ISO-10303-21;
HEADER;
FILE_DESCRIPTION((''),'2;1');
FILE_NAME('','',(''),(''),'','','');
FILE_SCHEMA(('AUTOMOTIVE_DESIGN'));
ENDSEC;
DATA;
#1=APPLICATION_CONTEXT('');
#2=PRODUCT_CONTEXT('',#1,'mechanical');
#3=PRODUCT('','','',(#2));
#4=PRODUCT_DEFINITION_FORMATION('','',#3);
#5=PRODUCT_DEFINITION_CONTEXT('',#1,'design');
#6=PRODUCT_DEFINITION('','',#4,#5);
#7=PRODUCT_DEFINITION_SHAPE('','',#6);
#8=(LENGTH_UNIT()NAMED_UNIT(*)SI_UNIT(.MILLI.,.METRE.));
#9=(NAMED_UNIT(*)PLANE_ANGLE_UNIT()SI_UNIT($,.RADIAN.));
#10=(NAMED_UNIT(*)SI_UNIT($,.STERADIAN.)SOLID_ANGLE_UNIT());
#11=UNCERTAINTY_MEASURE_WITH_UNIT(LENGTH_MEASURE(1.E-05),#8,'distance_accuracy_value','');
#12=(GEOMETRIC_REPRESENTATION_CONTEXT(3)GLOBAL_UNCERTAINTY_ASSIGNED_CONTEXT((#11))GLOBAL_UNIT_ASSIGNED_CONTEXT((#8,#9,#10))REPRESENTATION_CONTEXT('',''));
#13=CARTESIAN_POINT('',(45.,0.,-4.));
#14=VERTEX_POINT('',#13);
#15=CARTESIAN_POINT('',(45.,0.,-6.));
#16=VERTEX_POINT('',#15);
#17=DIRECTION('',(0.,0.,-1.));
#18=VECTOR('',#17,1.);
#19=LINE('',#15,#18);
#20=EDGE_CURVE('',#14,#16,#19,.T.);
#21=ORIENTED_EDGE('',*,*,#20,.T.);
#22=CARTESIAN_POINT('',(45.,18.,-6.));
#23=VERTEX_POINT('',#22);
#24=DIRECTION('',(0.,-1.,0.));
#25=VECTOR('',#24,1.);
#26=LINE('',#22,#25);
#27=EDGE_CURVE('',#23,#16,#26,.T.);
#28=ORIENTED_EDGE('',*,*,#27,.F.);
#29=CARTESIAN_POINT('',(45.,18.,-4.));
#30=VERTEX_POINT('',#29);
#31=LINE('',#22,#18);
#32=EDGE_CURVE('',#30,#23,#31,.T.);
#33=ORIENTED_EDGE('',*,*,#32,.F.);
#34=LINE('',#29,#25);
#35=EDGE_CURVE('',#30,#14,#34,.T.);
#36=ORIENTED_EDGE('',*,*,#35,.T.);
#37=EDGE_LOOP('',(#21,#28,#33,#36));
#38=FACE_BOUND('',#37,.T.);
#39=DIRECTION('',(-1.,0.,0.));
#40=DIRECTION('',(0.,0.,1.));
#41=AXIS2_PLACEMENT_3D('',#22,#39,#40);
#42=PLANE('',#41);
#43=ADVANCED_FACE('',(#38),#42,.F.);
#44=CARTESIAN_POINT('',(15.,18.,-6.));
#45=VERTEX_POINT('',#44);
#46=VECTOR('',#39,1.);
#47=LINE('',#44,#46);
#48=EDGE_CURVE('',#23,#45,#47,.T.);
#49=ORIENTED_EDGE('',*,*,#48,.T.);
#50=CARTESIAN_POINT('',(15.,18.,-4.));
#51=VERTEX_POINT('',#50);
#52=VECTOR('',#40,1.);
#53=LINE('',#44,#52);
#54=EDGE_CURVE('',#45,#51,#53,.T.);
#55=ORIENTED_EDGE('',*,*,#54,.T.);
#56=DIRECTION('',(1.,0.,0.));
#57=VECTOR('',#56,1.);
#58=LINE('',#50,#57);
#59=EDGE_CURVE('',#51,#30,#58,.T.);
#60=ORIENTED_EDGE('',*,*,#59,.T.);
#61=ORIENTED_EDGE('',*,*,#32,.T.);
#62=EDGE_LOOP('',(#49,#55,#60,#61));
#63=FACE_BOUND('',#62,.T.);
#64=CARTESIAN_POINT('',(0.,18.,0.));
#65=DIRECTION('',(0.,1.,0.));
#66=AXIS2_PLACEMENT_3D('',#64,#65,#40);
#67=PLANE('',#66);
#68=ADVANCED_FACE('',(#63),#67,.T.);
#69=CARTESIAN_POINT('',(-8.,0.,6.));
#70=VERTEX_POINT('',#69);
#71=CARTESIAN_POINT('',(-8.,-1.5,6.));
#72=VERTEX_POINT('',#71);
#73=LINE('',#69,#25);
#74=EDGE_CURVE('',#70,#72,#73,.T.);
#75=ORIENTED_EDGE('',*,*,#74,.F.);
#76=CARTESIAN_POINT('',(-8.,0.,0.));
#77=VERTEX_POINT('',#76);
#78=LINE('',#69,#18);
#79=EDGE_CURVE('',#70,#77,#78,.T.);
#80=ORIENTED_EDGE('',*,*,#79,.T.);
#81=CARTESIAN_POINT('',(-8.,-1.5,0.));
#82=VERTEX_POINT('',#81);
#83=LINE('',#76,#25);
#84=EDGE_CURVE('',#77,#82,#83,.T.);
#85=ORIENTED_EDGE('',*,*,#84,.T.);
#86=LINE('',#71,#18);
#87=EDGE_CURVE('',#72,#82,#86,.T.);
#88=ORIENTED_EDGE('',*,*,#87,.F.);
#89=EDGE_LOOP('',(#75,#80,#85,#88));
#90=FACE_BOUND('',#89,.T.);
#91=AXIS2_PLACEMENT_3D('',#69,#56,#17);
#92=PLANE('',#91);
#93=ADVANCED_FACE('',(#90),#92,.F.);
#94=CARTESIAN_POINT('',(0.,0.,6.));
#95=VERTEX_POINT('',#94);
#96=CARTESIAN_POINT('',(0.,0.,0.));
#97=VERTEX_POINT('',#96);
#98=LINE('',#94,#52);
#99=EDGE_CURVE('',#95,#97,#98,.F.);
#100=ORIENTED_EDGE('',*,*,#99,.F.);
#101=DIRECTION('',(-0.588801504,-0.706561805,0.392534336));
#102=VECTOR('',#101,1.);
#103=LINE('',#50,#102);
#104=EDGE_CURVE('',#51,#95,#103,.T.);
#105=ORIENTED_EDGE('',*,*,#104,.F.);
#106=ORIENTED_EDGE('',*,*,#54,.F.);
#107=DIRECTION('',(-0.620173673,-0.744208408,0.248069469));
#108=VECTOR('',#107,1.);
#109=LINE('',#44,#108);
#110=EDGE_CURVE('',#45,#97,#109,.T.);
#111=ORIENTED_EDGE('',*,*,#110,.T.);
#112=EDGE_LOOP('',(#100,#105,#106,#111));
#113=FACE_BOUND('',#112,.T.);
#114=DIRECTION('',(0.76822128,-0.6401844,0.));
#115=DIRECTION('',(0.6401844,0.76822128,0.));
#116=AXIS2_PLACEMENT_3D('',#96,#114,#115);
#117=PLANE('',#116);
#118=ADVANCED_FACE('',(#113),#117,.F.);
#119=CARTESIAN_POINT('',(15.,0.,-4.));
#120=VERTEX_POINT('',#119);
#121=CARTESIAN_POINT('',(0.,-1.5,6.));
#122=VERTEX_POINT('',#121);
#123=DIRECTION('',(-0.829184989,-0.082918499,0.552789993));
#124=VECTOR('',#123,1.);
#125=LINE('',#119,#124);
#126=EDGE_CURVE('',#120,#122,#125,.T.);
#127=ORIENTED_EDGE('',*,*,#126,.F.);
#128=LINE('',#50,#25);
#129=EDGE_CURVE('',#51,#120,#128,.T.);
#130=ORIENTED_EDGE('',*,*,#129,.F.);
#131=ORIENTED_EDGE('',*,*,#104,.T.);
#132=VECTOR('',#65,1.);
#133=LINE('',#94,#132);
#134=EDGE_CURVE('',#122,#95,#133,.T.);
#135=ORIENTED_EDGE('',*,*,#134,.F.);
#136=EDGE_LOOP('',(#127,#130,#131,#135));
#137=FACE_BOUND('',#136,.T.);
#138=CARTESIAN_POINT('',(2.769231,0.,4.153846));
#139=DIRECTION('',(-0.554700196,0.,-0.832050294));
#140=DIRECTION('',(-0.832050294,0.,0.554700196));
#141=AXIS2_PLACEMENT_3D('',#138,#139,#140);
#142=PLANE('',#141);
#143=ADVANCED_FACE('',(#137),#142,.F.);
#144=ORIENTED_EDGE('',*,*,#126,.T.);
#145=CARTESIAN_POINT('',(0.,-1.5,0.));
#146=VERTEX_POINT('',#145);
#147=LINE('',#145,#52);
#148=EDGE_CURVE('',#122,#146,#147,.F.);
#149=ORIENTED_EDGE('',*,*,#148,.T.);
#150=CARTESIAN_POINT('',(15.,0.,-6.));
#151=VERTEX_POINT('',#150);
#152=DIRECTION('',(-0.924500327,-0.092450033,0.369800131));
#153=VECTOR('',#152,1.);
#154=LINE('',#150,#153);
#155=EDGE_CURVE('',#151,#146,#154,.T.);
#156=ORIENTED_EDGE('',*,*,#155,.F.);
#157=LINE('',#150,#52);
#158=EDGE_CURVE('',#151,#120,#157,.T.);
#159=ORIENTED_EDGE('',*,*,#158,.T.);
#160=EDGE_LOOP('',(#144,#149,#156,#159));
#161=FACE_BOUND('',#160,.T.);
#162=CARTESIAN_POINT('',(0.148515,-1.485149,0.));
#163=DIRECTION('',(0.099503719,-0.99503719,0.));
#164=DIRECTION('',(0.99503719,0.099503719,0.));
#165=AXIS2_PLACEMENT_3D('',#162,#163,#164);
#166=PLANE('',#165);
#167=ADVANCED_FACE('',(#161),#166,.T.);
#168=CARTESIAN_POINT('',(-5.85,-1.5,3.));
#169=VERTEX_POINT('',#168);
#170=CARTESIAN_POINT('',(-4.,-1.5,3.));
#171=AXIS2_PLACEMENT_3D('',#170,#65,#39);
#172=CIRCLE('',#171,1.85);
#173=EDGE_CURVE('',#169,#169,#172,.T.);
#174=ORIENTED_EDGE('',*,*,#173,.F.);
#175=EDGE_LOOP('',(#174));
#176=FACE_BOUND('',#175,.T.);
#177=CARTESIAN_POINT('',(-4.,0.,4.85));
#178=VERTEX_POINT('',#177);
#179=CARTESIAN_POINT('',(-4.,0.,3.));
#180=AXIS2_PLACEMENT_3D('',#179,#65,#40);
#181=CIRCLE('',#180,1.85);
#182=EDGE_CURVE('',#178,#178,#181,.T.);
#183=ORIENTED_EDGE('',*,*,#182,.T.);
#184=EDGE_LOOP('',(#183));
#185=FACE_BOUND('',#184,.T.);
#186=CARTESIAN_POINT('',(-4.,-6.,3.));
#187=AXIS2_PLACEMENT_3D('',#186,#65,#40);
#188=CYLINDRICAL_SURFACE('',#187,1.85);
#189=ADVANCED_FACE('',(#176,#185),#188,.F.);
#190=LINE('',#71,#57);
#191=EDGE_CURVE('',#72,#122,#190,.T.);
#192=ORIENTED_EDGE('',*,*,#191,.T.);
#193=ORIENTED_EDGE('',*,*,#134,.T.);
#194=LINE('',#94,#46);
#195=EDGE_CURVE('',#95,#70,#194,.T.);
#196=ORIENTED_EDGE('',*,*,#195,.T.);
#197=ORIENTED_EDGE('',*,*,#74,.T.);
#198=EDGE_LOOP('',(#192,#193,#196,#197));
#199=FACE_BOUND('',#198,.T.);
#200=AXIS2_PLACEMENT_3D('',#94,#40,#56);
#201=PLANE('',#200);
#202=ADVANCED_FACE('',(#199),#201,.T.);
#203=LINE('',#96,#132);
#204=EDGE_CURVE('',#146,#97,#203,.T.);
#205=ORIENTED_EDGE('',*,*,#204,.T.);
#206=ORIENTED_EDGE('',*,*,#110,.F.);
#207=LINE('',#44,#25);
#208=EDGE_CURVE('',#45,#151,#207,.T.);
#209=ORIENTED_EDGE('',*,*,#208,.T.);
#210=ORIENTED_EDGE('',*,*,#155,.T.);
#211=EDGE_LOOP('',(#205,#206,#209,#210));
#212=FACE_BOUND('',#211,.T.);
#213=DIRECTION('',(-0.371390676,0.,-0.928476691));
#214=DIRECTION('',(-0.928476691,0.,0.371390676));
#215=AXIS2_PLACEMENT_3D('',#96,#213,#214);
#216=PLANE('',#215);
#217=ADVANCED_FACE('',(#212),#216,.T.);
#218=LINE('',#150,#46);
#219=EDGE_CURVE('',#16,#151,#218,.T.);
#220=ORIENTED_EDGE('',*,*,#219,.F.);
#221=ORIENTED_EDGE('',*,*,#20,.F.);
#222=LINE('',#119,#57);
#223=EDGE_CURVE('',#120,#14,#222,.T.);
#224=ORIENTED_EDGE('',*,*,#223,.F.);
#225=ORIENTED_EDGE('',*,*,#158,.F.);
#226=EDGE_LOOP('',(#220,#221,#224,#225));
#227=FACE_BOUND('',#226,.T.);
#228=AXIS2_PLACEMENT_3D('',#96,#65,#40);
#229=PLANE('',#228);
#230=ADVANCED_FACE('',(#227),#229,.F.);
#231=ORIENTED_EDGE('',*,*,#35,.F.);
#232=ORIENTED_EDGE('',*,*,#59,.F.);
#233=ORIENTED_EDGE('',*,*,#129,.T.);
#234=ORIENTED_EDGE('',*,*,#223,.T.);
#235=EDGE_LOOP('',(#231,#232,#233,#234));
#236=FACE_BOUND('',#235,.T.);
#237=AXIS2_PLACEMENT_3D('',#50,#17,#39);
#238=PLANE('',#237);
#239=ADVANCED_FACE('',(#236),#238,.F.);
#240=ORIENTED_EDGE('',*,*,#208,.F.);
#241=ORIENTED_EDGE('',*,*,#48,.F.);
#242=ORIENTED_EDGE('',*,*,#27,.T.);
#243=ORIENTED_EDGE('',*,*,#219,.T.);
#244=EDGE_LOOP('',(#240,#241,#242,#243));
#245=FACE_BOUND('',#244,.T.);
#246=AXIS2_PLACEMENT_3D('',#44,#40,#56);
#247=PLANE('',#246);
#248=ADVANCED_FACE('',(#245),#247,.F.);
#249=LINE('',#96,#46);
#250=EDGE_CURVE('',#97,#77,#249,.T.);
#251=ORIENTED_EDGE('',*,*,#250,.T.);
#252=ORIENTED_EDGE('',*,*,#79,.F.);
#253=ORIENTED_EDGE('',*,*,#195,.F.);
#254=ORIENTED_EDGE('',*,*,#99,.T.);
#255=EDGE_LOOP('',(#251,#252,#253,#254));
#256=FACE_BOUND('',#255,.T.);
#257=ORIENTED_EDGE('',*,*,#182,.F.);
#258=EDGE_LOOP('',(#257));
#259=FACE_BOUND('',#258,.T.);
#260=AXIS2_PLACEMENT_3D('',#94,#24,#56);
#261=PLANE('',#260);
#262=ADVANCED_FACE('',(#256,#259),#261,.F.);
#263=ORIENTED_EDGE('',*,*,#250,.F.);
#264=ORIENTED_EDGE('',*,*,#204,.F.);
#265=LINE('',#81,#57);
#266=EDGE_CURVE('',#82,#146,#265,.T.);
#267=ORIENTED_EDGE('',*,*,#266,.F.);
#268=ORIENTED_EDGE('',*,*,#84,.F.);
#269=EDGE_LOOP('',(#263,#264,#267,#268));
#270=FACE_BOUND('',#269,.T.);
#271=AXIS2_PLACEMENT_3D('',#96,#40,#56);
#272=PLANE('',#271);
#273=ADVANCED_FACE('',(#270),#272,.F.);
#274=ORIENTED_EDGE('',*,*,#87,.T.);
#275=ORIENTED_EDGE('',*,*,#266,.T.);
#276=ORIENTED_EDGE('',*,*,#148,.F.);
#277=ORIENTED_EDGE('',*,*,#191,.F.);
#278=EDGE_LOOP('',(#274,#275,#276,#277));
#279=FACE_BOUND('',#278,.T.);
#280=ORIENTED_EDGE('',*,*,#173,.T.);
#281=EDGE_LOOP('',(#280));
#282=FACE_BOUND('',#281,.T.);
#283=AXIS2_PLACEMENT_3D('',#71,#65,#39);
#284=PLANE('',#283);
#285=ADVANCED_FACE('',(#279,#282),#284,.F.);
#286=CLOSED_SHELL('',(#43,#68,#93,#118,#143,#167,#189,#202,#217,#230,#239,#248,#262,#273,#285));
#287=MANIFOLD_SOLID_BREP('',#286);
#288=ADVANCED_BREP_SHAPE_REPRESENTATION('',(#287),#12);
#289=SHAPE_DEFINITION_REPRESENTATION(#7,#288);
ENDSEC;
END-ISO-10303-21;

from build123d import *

# Parameters (mm, degrees)
SKETCH_1_W          = 8
SKETCH_1_H          = 1.5
EXTRUDE_1_DEPTH     = 6
SKETCH_2_W          = 30
SKETCH_2_H          = 2
EXTRUDE_2_DEPTH     = 18
SKETCH_3_R          = 1.85
CUT_EXTRUDE_1_DEPTH = 6


with BuildPart() as part:
    # 草图1 → 凸台-拉伸1 (new body)
    with BuildSketch(Plane.XY):
        with Locations((-4, -0.75)):
            Rectangle(SKETCH_1_W, SKETCH_1_H)
    extrude(amount=EXTRUDE_1_DEPTH)


with BuildPart() as body_2:
    # 草图2 → 凸台-拉伸2 (new body)
    with BuildSketch(Plane(origin=(0, 0, 0), x_dir=(1, 0, 0), z_dir=(0, 1, 0))):
        with Locations((30, 5)):
            Rectangle(SKETCH_2_W, SKETCH_2_H)
    extrude(amount=EXTRUDE_2_DEPTH)


    add(part.part)  # loft_1 joins it to this body
    # loft from a face of the part (loft_1)
    loft([body_2.faces().sort_by_distance((15, 9, -5))[0], body_2.faces().sort_by_distance((0, -0.75, 3))[0]])

    # 草图3 → 切除-拉伸1 (cut)
    with BuildSketch(Plane(origin=(0, 0, 0), x_dir=(1, 0, 0), z_dir=(0, 1, 0))):
        with Locations(Location((-4, -3, 0), (0, 0, 270))):
            Circle(SKETCH_3_R)
    extrude(amount=-CUT_EXTRUDE_1_DEPTH, mode=Mode.SUBTRACT)


solid = body_2.part
